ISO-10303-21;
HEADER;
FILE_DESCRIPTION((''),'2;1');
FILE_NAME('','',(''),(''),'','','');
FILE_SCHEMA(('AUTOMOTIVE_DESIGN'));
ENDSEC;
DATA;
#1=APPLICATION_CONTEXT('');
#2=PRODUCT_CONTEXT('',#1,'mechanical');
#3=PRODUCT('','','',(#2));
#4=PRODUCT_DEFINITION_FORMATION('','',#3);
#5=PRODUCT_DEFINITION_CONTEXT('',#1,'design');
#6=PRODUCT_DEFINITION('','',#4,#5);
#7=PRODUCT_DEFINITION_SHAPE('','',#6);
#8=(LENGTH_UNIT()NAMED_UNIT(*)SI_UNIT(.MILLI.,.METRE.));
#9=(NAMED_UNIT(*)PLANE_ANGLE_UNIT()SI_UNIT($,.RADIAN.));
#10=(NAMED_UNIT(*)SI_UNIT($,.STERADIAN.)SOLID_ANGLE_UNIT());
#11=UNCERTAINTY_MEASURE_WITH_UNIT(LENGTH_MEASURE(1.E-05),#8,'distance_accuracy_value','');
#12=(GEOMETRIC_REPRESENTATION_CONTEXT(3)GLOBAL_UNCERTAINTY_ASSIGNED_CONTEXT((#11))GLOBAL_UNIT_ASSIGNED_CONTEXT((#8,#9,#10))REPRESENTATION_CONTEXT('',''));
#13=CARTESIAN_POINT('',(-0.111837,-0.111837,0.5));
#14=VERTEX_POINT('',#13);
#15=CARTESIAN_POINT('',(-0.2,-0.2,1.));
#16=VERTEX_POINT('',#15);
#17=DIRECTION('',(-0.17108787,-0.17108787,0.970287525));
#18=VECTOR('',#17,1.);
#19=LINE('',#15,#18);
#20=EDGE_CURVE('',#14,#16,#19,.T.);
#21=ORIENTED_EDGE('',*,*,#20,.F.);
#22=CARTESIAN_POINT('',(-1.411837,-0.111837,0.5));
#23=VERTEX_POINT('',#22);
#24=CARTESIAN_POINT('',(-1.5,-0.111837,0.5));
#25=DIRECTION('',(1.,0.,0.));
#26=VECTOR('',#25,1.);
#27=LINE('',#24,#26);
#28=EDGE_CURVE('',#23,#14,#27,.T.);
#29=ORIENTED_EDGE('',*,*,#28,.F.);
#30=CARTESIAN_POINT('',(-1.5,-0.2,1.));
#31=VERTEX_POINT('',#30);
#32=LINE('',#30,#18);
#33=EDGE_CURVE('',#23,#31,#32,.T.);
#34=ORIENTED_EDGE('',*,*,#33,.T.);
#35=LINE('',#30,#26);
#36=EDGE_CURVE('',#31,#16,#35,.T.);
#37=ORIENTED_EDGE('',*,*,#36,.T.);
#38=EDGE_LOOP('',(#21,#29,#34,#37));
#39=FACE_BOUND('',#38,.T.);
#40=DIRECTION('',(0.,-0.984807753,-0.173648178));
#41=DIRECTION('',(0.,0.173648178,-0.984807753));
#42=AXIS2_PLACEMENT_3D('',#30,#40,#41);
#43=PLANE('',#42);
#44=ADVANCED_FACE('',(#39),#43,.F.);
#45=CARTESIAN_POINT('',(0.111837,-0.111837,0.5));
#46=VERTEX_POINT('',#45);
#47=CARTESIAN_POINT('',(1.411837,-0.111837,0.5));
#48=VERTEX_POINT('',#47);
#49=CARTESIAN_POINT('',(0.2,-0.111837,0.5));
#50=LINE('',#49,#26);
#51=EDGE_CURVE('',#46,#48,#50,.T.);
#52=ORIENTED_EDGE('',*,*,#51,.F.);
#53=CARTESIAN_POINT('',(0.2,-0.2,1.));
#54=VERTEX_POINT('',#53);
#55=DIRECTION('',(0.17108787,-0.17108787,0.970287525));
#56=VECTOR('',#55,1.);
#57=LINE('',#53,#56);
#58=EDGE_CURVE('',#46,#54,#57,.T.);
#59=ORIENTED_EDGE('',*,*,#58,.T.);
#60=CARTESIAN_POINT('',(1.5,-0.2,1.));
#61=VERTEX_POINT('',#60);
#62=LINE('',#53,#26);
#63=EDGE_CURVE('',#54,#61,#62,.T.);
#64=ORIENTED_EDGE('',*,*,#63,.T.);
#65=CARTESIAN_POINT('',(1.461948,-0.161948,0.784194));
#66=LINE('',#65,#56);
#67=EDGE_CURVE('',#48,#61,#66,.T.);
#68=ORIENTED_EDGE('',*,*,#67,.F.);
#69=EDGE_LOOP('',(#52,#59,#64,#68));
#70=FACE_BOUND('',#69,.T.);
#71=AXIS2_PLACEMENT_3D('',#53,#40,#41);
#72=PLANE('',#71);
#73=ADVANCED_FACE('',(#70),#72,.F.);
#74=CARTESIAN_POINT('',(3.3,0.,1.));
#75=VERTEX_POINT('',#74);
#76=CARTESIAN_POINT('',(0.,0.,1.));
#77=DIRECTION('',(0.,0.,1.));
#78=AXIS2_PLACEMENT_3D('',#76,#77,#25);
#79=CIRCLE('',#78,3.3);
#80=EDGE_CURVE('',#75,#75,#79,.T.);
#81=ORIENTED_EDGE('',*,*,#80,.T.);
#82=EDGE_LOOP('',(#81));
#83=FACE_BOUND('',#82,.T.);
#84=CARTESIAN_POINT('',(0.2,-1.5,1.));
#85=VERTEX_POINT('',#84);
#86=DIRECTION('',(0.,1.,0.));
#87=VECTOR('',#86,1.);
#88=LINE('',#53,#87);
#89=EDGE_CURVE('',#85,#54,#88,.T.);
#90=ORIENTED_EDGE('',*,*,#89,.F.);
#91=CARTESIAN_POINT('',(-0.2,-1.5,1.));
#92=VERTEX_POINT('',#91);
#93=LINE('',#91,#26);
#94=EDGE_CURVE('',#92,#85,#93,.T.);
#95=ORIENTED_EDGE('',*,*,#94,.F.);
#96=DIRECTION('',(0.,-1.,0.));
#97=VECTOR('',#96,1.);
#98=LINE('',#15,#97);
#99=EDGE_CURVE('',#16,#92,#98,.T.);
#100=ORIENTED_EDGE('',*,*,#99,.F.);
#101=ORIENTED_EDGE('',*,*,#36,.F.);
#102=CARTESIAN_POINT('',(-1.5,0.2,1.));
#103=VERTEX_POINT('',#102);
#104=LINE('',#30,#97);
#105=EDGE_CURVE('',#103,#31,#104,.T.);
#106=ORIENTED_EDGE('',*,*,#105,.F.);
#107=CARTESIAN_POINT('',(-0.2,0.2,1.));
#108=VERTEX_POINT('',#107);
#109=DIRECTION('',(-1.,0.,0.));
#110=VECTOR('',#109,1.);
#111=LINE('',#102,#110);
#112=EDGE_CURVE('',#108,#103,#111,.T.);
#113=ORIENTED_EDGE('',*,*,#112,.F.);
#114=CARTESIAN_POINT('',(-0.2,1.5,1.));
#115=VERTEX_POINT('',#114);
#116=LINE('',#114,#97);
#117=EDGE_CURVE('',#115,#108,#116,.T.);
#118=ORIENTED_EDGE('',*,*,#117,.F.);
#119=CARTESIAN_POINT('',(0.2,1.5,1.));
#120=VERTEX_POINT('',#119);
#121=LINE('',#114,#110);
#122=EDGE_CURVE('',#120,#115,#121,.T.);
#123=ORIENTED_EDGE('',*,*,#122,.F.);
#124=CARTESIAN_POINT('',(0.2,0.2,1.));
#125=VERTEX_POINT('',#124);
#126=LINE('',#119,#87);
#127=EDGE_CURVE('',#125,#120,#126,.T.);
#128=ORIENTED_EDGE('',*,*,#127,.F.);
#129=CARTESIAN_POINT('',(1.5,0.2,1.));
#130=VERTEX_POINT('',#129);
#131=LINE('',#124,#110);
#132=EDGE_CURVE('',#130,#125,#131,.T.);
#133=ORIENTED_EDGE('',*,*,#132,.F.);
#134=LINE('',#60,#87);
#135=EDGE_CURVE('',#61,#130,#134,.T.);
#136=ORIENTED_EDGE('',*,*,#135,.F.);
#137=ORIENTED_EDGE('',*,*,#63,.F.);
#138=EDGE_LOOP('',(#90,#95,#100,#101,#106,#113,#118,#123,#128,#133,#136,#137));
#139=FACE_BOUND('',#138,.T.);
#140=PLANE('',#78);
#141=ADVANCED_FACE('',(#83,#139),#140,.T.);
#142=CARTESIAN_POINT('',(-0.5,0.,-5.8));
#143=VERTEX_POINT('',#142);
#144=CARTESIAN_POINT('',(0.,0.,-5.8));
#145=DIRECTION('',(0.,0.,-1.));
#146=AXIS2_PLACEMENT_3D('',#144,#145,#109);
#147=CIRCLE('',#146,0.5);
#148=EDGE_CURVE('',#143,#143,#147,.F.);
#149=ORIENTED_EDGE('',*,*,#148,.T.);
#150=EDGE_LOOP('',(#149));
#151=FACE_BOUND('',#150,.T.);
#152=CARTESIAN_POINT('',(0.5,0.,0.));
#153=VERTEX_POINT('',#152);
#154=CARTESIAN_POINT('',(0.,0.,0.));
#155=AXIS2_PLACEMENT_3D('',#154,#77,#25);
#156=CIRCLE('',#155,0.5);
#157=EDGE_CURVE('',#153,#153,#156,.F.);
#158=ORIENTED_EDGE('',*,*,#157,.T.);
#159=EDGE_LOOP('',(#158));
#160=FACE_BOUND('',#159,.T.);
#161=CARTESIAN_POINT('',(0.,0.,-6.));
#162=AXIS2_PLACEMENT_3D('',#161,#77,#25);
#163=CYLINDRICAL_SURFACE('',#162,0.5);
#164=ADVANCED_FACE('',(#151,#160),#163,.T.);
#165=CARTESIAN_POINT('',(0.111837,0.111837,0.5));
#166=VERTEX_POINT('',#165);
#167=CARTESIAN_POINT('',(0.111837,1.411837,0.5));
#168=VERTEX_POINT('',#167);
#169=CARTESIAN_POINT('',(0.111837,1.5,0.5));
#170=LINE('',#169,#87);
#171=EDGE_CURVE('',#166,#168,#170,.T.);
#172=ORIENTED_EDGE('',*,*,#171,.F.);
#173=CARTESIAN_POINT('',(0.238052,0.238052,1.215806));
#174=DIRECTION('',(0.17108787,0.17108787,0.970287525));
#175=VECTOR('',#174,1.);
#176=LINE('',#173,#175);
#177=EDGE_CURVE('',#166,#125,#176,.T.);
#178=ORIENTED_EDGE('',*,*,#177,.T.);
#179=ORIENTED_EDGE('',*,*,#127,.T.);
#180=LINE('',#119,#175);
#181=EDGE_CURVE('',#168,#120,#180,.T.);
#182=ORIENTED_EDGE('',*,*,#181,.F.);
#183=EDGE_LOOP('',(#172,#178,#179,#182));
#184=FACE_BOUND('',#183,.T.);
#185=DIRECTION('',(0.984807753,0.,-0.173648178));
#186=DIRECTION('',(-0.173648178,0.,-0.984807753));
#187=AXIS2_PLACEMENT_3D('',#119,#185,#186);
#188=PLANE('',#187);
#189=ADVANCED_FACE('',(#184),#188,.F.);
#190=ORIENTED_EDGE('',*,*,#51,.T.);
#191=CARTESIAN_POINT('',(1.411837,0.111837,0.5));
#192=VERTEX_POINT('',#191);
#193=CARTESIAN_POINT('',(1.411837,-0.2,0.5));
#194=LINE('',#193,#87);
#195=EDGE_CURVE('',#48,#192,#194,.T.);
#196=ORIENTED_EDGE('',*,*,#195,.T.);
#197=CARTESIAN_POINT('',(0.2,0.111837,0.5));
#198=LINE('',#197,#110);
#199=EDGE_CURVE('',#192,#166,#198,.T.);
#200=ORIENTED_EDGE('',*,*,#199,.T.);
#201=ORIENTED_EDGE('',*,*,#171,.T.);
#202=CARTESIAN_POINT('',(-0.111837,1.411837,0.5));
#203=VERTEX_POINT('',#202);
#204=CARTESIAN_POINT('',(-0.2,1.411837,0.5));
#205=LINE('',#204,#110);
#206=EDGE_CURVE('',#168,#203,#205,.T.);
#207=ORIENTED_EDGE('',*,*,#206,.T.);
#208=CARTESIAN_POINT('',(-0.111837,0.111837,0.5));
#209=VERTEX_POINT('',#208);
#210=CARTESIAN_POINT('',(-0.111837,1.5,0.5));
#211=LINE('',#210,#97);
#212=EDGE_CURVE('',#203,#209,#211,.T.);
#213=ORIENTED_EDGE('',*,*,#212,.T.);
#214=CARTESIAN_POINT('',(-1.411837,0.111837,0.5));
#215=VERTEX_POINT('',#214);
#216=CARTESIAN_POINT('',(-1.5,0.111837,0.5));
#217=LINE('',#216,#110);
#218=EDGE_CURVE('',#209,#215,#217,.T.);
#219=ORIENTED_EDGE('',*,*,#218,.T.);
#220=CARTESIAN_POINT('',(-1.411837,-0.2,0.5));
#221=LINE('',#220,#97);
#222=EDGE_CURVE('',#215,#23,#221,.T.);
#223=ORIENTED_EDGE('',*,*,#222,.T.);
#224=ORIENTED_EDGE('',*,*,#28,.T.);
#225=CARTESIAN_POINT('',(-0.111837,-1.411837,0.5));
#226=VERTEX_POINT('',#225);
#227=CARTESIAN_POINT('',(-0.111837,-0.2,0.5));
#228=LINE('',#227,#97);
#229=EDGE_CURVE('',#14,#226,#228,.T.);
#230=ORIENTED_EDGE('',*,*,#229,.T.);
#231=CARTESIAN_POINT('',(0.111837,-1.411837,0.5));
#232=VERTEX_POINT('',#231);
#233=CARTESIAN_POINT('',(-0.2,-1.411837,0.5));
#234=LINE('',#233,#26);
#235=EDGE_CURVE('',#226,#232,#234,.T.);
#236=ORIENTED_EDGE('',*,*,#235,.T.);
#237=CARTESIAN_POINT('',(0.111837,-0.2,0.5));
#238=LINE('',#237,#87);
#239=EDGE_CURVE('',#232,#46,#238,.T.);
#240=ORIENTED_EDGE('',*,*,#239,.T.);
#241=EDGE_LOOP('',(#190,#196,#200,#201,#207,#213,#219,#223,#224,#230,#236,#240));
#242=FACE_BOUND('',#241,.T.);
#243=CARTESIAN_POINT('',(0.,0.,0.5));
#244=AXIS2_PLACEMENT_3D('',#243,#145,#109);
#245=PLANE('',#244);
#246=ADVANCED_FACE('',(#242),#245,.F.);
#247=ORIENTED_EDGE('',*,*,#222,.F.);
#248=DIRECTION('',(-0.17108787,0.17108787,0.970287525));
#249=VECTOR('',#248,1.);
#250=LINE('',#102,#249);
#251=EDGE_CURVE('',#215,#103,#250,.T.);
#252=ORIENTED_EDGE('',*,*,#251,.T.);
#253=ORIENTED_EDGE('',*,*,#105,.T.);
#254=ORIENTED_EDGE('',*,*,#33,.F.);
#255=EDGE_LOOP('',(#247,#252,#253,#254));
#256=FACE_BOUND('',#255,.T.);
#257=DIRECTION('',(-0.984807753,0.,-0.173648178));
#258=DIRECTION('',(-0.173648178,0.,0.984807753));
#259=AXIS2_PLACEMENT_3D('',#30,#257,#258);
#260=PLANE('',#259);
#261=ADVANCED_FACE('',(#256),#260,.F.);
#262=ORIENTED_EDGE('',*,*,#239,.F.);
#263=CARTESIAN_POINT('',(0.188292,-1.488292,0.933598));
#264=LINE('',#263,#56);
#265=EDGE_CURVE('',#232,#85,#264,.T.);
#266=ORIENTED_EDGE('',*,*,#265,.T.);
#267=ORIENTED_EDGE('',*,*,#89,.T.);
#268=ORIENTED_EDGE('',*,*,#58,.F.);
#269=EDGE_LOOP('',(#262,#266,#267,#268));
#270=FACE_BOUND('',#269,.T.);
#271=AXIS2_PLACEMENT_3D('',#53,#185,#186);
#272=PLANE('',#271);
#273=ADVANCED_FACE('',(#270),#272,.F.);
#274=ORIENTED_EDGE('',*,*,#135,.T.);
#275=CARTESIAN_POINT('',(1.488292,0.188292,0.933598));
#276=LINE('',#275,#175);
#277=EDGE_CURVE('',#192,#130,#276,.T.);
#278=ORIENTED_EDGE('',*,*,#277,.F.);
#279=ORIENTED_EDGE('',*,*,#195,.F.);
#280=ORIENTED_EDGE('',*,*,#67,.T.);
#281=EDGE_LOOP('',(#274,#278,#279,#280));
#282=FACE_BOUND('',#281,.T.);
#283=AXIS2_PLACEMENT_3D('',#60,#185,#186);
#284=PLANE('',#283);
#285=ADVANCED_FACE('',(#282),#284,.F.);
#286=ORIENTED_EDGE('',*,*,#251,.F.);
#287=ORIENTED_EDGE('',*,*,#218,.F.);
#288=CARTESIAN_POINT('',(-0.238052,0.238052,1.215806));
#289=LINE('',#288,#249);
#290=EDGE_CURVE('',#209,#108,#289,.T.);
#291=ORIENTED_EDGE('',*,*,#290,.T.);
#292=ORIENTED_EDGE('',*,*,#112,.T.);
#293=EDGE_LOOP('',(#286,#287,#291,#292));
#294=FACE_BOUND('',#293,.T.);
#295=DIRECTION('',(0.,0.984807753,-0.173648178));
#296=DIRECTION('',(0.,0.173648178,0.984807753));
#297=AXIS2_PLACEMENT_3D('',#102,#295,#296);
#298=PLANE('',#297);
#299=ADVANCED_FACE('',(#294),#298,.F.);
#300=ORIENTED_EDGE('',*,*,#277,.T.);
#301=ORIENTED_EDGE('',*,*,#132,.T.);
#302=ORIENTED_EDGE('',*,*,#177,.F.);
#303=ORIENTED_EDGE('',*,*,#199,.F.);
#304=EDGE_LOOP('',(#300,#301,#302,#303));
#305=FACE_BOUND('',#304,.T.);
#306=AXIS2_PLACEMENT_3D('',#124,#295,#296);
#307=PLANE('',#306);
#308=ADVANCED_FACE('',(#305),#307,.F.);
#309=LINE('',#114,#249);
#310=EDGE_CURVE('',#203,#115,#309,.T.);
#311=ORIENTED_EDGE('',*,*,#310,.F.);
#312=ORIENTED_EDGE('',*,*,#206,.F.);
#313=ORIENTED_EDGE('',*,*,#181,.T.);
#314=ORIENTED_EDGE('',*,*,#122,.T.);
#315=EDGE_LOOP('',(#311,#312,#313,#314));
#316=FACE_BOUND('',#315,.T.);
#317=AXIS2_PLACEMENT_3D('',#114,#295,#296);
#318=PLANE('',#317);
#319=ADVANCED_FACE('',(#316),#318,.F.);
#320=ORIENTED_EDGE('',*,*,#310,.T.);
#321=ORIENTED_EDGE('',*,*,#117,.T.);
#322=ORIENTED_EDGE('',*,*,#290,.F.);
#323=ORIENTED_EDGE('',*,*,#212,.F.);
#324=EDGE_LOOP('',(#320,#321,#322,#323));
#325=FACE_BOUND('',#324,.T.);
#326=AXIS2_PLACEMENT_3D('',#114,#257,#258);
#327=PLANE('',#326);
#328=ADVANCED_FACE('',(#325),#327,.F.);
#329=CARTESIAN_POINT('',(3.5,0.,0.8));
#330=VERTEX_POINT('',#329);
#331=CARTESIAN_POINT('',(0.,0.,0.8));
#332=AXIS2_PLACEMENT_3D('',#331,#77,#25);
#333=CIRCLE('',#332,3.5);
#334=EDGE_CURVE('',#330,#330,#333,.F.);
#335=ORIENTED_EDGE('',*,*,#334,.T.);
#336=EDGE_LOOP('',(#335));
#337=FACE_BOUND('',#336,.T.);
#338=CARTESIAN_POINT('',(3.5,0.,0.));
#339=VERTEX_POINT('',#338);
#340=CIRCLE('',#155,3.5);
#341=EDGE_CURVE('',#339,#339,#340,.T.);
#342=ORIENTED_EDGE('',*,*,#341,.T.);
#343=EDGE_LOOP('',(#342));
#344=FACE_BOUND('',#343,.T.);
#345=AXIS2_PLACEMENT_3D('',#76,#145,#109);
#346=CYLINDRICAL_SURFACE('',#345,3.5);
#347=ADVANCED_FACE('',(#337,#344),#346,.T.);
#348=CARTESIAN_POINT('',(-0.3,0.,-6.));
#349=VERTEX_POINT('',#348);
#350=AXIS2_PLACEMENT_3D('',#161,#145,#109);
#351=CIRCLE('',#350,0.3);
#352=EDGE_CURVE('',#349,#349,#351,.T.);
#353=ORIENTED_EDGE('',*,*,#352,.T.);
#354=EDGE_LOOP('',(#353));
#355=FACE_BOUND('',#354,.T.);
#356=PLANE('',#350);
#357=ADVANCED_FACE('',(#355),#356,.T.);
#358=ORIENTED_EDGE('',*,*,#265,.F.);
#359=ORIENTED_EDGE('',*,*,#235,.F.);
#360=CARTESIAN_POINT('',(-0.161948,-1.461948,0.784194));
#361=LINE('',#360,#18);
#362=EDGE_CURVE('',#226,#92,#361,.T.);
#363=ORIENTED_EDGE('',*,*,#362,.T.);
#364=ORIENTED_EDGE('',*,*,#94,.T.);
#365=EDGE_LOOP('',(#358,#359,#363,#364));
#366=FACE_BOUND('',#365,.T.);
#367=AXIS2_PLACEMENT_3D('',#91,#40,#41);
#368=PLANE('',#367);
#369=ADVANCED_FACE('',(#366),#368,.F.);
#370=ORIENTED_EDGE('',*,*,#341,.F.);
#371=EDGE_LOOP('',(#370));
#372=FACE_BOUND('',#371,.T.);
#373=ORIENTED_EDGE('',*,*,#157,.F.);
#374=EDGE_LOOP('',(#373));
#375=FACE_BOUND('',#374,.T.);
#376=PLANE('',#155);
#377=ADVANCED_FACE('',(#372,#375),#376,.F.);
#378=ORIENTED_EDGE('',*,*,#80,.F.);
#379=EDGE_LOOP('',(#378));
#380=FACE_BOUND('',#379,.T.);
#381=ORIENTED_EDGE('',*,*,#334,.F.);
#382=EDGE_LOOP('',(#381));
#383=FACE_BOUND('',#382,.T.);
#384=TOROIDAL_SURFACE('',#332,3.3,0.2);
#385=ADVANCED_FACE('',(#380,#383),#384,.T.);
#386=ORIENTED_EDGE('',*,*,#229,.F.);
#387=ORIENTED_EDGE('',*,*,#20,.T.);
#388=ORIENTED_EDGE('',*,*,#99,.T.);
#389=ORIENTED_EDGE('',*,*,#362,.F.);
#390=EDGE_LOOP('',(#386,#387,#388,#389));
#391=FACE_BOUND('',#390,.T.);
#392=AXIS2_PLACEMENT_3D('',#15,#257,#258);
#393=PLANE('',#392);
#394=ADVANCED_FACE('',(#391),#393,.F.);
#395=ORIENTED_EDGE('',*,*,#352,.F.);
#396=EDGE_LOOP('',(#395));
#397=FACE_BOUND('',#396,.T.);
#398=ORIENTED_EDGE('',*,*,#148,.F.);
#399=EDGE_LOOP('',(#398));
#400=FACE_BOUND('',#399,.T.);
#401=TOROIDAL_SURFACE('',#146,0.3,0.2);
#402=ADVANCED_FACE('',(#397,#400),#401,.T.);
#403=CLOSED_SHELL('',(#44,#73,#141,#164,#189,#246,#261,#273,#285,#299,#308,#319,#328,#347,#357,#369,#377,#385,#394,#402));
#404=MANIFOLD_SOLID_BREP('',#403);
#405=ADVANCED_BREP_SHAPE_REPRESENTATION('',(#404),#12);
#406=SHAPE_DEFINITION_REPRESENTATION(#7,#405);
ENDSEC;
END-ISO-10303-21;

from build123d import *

# Parameters (mm, degrees)
SKETCH1_R           = 3.5
BOSS_EXTRUDE1_DEPTH = 1
SKETCH2_R           = 0.5
BOSS_EXTRUDE2_DEPTH = 6
FILLET1_R           = 0.2
CUT_EXTRUDE1_DEPTH  = 0.5
CUT_EXTRUDE1_DRAFT  = -10
FILLET2_R           = 0.2


with BuildPart() as part:
    # Sketch1 → Boss-Extrude1 (new body)
    with BuildSketch(Plane.XY):
        Circle(SKETCH1_R)
    extrude(amount=BOSS_EXTRUDE1_DEPTH)

    # Sketch2 → Boss-Extrude2 (add)
    with BuildSketch(Plane(origin=(0, 0, 0), x_dir=(-1, 0, 0), z_dir=(0, 0, -1))):
        with Locations(Location((0, 0, 0), (0, 0, 180))):
            Circle(SKETCH2_R)
    extrude(amount=BOSS_EXTRUDE2_DEPTH)

    # Fillet1
    fillet1_edges = [part.edges().sort_by_distance(p)[0] for p in [
        (-3.5, 0, 1),
    ]]
    fillet(fillet1_edges, radius=FILLET1_R)


with BuildPart() as cut_extrude1_tool:
    # Sketch3 → Cut-Extrude1 (with draft: the straight prism first)
    with BuildSketch(Plane.XY.offset(1)):
        Polygon((-0.2, -0.2), (-0.2, -1.5), (0.2, -1.5), (0.2, -0.2), (1.5, -0.2), (1.5, 0.2), (0.2, 0.2), (0.2, 1.5), (-0.2, 1.5), (-0.2, 0.2), (-1.5, 0.2), (-1.5, -0.2), align=None)
    extrude(amount=-CUT_EXTRUDE1_DEPTH)
    # Cut-Extrude1: the draft: its side faces are tilted about the plane it starts from
    cut_extrude1_sides = [cut_extrude1_tool.faces().sort_by_distance(p)[0] for p in [
        (-0.2, -0.85, 0.75),
        (0, -1.5, 0.75),
        (0.2, -0.85, 0.75),
        (0.85, -0.2, 0.75),
        (1.5, 0, 0.75),
        (0.85, 0.2, 0.75),
        (0.2, 0.85, 0.75),
        (0, 1.5, 0.75),
        (-0.2, 0.85, 0.75),
        (-0.85, 0.2, 0.75),
        (-1.5, 0, 0.75),
        (-0.85, -0.2, 0.75),
    ]]
    draft(cut_extrude1_sides, Plane.XY.offset(1), CUT_EXTRUDE1_DRAFT)


with BuildPart() as part_1:
    add(part.part)

    # Cut-Extrude1: cut by cut_extrude1_tool
    add(cut_extrude1_tool.part, mode=Mode.SUBTRACT)

    # Fillet2
    fillet2_edges = [part_1.edges().sort_by_distance(p)[0] for p in [
        (-0.5, 0, -6),
    ]]
    fillet(fillet2_edges, radius=FILLET2_R)


solid = part_1.part
